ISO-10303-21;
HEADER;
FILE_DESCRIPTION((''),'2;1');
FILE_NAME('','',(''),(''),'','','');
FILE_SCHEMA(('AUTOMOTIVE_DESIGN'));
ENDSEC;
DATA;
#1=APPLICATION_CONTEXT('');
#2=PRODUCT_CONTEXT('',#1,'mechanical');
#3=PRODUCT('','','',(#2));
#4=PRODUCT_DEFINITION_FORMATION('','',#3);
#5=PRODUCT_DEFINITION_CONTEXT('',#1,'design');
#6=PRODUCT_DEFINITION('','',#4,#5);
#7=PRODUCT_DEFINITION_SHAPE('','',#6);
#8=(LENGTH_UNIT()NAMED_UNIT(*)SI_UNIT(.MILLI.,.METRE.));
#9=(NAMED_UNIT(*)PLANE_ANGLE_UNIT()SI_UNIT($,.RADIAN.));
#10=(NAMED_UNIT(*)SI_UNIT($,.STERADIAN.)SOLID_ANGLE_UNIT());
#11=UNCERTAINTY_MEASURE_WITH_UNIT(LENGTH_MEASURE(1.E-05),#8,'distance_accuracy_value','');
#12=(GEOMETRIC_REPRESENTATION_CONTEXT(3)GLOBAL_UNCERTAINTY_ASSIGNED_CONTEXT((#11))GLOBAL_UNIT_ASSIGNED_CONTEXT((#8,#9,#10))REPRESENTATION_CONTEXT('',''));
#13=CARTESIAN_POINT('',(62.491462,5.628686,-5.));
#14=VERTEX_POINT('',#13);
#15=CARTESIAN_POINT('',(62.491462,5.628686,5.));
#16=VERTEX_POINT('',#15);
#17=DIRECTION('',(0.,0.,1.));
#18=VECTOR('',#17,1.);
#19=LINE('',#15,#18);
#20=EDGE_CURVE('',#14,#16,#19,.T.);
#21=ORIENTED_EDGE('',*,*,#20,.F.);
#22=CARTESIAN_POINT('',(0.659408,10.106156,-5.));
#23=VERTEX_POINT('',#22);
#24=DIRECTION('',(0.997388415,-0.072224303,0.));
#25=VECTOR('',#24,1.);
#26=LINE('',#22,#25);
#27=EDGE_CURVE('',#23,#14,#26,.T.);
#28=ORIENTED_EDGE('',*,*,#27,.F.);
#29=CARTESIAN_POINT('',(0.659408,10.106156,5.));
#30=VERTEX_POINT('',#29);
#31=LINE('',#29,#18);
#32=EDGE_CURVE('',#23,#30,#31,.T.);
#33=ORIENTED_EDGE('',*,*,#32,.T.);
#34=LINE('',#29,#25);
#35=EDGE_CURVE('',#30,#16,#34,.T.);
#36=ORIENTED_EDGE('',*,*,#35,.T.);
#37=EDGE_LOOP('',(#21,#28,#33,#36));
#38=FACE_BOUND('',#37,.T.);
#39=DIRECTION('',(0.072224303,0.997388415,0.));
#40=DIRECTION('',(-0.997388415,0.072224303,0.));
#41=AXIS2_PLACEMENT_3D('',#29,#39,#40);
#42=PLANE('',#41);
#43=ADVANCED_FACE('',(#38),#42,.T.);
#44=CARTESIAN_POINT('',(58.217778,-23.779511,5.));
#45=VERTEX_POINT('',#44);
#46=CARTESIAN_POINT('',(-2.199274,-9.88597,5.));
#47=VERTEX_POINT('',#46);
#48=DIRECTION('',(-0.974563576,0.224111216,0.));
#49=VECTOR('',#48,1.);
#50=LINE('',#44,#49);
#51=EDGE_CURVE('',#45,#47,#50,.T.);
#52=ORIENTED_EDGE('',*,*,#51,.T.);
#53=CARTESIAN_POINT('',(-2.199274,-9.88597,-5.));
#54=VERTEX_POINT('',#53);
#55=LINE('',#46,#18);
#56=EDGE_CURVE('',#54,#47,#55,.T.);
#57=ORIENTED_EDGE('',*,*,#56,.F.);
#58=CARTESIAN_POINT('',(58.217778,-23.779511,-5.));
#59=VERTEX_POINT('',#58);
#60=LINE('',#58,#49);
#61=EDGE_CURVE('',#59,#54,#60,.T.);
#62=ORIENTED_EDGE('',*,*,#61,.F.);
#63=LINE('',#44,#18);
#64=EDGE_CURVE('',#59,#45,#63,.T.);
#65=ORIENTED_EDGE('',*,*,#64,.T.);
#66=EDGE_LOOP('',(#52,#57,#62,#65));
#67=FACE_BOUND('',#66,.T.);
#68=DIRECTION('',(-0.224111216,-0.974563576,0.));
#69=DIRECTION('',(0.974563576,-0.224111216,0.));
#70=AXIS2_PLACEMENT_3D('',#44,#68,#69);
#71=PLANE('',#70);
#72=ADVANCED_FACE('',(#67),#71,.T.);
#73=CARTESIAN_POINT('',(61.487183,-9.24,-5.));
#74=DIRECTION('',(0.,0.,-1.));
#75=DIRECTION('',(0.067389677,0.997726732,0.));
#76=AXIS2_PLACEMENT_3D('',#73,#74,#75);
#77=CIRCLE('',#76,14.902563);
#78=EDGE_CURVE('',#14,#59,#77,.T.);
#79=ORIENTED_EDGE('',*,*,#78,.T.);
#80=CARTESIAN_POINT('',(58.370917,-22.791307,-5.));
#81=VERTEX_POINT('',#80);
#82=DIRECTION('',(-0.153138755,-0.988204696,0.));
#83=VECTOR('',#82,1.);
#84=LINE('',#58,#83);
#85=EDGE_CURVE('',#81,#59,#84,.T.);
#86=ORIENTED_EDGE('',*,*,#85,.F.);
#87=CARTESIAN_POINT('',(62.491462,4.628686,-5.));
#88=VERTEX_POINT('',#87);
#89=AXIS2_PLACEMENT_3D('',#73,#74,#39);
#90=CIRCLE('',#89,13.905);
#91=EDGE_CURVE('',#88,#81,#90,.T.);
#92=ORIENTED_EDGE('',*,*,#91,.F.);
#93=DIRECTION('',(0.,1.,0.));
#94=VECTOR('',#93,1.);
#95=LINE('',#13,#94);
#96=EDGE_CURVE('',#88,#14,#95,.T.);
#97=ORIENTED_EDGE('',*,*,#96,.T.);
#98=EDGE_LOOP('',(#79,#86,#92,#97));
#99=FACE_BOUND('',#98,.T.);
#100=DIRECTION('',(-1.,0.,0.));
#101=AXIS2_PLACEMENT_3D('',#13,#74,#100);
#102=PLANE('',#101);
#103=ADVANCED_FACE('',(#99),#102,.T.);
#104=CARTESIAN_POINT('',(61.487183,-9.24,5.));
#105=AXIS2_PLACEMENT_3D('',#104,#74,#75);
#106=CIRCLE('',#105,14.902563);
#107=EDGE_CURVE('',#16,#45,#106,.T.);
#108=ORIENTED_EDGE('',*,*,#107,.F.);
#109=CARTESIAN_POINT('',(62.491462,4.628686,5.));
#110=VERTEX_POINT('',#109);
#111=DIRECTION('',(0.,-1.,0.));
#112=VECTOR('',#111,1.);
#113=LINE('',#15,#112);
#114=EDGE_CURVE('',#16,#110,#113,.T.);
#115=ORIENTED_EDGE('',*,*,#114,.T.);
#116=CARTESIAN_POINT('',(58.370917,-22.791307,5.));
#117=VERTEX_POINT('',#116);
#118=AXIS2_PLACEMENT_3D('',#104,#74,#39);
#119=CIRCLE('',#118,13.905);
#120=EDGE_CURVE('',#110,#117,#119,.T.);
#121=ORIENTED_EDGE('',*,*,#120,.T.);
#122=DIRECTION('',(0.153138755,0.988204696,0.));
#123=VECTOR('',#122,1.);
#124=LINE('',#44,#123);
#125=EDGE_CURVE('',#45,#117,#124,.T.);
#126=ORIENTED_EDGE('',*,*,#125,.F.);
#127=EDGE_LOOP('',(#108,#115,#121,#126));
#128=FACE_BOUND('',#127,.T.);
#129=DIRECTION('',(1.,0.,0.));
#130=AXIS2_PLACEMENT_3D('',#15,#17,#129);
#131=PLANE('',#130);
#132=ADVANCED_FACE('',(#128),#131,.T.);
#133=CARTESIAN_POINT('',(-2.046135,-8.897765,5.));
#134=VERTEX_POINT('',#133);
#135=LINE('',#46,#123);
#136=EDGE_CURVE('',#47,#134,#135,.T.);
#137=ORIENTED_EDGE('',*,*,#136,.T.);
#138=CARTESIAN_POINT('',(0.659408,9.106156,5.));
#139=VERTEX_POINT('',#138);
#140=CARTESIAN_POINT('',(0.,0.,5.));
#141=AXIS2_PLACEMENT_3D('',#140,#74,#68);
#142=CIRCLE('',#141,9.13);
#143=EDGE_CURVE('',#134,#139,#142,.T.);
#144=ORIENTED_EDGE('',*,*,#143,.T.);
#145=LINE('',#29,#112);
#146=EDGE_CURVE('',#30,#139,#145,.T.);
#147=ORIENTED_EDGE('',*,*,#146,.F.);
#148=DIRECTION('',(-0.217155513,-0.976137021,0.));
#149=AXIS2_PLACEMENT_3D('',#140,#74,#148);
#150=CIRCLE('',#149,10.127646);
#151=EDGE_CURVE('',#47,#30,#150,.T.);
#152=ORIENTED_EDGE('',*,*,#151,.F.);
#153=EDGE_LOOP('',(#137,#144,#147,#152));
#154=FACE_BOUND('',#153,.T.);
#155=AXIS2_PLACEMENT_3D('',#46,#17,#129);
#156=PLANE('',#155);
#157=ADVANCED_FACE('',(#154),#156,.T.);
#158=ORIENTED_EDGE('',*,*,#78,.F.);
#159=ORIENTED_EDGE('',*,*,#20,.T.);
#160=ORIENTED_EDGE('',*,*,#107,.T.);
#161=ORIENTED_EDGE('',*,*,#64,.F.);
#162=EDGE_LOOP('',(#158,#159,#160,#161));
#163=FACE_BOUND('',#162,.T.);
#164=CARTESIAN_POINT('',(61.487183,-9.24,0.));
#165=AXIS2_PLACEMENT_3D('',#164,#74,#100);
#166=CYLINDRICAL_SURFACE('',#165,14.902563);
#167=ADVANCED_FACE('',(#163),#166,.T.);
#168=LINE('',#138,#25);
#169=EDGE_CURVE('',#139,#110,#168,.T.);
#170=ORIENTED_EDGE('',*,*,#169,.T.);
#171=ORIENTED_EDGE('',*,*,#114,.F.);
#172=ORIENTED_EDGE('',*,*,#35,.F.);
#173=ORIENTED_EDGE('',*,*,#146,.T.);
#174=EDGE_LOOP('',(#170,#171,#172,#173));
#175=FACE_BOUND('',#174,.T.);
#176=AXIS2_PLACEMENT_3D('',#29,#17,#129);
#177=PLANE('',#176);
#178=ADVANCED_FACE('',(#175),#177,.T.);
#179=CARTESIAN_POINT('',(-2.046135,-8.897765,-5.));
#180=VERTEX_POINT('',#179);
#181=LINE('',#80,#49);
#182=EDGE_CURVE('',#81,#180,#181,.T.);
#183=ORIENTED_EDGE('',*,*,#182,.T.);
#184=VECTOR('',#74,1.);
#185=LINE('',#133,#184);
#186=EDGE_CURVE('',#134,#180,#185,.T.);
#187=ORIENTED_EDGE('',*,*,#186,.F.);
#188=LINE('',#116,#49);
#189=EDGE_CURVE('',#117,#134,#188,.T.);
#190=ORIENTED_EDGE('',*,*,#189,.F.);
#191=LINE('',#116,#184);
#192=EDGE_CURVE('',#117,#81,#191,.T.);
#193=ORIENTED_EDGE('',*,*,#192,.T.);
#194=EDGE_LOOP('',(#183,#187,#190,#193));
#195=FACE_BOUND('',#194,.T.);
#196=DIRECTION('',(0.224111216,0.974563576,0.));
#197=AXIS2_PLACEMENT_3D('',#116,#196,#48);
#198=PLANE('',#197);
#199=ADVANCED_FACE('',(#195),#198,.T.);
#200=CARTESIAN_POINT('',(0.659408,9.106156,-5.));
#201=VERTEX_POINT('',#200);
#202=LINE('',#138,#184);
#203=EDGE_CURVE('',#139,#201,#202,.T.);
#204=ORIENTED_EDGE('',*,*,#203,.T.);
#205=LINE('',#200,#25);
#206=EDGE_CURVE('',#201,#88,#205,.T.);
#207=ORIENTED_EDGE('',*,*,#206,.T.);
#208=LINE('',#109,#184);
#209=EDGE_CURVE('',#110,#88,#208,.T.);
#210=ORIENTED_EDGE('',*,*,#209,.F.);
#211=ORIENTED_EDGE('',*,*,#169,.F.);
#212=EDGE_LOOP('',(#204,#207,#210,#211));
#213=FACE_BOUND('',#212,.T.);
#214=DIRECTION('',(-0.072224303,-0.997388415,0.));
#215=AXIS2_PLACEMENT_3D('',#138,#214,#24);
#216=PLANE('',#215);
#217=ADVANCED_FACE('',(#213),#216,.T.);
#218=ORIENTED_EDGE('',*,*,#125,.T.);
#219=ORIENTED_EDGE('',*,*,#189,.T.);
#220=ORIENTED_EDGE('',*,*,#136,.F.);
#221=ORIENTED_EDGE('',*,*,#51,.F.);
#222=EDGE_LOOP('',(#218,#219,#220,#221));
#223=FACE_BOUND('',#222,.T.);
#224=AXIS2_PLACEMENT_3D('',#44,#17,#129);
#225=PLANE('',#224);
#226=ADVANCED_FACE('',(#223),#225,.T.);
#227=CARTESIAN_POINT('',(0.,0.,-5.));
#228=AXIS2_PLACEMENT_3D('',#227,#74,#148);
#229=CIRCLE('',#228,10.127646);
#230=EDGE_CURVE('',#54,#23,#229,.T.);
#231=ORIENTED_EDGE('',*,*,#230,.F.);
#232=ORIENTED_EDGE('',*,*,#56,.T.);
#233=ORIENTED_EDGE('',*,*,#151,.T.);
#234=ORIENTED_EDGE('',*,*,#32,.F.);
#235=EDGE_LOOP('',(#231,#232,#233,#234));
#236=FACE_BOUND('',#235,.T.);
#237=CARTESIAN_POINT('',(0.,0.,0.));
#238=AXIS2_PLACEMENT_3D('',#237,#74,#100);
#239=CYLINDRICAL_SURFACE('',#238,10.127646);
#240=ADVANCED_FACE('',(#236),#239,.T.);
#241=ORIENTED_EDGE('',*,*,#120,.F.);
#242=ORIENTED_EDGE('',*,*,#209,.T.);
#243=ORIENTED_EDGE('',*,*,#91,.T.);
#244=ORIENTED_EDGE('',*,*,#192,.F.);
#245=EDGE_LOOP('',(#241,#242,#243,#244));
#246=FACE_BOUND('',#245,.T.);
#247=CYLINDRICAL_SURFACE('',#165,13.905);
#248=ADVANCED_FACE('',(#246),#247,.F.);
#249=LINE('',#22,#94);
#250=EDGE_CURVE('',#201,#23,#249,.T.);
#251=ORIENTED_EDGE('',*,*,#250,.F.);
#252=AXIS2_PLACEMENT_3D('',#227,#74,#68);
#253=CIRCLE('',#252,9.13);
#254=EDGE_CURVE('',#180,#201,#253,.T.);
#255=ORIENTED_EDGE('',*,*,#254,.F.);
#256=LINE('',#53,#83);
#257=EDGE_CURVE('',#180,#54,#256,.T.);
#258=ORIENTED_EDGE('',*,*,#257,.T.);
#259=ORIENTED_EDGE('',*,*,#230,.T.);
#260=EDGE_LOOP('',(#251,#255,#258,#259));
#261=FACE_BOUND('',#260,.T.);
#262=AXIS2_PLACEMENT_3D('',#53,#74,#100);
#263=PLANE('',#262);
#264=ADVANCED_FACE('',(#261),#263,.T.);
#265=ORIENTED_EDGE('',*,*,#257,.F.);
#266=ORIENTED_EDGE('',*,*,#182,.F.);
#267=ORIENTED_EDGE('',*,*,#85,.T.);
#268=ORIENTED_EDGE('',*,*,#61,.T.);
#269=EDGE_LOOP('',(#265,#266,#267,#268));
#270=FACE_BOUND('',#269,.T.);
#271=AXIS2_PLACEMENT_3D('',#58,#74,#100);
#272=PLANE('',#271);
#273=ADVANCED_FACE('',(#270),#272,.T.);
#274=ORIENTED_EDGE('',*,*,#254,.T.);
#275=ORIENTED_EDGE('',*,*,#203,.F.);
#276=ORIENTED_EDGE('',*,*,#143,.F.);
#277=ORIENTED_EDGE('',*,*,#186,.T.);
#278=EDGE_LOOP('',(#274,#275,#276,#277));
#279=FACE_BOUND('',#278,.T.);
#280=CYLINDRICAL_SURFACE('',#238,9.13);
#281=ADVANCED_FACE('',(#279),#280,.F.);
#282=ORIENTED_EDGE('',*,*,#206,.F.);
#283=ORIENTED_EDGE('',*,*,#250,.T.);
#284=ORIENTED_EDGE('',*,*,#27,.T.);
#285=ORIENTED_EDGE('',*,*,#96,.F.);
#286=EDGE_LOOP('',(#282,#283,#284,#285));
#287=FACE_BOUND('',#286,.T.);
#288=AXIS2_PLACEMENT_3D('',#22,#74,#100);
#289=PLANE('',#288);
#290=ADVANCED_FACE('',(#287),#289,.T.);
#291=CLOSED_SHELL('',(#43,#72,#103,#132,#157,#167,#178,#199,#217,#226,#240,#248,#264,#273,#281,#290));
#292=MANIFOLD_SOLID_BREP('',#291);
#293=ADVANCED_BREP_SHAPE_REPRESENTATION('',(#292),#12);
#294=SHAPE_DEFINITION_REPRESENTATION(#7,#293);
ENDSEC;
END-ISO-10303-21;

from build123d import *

# Parameters (mm, degrees)
CROQUIS3_W = 10
CROQUIS3_H = 1


with BuildPart() as part:
    # Barrer1: sweep along a path in Croquis2
    with BuildLine(Plane.XY) as barrer1_path:
        Line((0.659407884, 9.106156228), (62.491462424, 4.628685909))
        ThreePointArc((62.491462424, 4.628685909), (75.23778781, -11.306375083), (58.370917042, -22.79130652))
        Line((58.370917042, -22.79130652), (-2.046135399, -8.897765446))
        ThreePointArc((-2.046135399, -8.897765446), (-9.028624048, 1.356778461), (0.659407884, 9.106156228))
    # Croquis3 → Barrer1 (sweep)
    with BuildSketch(Plane(origin=(0.659407884, 0, 0), x_dir=(0, 0, -1), z_dir=(1, 0, 0))):
        with Locations((0, 9.606156228)):
            Rectangle(CROQUIS3_W, CROQUIS3_H)
    sweep(path=barrer1_path.line)


solid = part.part
